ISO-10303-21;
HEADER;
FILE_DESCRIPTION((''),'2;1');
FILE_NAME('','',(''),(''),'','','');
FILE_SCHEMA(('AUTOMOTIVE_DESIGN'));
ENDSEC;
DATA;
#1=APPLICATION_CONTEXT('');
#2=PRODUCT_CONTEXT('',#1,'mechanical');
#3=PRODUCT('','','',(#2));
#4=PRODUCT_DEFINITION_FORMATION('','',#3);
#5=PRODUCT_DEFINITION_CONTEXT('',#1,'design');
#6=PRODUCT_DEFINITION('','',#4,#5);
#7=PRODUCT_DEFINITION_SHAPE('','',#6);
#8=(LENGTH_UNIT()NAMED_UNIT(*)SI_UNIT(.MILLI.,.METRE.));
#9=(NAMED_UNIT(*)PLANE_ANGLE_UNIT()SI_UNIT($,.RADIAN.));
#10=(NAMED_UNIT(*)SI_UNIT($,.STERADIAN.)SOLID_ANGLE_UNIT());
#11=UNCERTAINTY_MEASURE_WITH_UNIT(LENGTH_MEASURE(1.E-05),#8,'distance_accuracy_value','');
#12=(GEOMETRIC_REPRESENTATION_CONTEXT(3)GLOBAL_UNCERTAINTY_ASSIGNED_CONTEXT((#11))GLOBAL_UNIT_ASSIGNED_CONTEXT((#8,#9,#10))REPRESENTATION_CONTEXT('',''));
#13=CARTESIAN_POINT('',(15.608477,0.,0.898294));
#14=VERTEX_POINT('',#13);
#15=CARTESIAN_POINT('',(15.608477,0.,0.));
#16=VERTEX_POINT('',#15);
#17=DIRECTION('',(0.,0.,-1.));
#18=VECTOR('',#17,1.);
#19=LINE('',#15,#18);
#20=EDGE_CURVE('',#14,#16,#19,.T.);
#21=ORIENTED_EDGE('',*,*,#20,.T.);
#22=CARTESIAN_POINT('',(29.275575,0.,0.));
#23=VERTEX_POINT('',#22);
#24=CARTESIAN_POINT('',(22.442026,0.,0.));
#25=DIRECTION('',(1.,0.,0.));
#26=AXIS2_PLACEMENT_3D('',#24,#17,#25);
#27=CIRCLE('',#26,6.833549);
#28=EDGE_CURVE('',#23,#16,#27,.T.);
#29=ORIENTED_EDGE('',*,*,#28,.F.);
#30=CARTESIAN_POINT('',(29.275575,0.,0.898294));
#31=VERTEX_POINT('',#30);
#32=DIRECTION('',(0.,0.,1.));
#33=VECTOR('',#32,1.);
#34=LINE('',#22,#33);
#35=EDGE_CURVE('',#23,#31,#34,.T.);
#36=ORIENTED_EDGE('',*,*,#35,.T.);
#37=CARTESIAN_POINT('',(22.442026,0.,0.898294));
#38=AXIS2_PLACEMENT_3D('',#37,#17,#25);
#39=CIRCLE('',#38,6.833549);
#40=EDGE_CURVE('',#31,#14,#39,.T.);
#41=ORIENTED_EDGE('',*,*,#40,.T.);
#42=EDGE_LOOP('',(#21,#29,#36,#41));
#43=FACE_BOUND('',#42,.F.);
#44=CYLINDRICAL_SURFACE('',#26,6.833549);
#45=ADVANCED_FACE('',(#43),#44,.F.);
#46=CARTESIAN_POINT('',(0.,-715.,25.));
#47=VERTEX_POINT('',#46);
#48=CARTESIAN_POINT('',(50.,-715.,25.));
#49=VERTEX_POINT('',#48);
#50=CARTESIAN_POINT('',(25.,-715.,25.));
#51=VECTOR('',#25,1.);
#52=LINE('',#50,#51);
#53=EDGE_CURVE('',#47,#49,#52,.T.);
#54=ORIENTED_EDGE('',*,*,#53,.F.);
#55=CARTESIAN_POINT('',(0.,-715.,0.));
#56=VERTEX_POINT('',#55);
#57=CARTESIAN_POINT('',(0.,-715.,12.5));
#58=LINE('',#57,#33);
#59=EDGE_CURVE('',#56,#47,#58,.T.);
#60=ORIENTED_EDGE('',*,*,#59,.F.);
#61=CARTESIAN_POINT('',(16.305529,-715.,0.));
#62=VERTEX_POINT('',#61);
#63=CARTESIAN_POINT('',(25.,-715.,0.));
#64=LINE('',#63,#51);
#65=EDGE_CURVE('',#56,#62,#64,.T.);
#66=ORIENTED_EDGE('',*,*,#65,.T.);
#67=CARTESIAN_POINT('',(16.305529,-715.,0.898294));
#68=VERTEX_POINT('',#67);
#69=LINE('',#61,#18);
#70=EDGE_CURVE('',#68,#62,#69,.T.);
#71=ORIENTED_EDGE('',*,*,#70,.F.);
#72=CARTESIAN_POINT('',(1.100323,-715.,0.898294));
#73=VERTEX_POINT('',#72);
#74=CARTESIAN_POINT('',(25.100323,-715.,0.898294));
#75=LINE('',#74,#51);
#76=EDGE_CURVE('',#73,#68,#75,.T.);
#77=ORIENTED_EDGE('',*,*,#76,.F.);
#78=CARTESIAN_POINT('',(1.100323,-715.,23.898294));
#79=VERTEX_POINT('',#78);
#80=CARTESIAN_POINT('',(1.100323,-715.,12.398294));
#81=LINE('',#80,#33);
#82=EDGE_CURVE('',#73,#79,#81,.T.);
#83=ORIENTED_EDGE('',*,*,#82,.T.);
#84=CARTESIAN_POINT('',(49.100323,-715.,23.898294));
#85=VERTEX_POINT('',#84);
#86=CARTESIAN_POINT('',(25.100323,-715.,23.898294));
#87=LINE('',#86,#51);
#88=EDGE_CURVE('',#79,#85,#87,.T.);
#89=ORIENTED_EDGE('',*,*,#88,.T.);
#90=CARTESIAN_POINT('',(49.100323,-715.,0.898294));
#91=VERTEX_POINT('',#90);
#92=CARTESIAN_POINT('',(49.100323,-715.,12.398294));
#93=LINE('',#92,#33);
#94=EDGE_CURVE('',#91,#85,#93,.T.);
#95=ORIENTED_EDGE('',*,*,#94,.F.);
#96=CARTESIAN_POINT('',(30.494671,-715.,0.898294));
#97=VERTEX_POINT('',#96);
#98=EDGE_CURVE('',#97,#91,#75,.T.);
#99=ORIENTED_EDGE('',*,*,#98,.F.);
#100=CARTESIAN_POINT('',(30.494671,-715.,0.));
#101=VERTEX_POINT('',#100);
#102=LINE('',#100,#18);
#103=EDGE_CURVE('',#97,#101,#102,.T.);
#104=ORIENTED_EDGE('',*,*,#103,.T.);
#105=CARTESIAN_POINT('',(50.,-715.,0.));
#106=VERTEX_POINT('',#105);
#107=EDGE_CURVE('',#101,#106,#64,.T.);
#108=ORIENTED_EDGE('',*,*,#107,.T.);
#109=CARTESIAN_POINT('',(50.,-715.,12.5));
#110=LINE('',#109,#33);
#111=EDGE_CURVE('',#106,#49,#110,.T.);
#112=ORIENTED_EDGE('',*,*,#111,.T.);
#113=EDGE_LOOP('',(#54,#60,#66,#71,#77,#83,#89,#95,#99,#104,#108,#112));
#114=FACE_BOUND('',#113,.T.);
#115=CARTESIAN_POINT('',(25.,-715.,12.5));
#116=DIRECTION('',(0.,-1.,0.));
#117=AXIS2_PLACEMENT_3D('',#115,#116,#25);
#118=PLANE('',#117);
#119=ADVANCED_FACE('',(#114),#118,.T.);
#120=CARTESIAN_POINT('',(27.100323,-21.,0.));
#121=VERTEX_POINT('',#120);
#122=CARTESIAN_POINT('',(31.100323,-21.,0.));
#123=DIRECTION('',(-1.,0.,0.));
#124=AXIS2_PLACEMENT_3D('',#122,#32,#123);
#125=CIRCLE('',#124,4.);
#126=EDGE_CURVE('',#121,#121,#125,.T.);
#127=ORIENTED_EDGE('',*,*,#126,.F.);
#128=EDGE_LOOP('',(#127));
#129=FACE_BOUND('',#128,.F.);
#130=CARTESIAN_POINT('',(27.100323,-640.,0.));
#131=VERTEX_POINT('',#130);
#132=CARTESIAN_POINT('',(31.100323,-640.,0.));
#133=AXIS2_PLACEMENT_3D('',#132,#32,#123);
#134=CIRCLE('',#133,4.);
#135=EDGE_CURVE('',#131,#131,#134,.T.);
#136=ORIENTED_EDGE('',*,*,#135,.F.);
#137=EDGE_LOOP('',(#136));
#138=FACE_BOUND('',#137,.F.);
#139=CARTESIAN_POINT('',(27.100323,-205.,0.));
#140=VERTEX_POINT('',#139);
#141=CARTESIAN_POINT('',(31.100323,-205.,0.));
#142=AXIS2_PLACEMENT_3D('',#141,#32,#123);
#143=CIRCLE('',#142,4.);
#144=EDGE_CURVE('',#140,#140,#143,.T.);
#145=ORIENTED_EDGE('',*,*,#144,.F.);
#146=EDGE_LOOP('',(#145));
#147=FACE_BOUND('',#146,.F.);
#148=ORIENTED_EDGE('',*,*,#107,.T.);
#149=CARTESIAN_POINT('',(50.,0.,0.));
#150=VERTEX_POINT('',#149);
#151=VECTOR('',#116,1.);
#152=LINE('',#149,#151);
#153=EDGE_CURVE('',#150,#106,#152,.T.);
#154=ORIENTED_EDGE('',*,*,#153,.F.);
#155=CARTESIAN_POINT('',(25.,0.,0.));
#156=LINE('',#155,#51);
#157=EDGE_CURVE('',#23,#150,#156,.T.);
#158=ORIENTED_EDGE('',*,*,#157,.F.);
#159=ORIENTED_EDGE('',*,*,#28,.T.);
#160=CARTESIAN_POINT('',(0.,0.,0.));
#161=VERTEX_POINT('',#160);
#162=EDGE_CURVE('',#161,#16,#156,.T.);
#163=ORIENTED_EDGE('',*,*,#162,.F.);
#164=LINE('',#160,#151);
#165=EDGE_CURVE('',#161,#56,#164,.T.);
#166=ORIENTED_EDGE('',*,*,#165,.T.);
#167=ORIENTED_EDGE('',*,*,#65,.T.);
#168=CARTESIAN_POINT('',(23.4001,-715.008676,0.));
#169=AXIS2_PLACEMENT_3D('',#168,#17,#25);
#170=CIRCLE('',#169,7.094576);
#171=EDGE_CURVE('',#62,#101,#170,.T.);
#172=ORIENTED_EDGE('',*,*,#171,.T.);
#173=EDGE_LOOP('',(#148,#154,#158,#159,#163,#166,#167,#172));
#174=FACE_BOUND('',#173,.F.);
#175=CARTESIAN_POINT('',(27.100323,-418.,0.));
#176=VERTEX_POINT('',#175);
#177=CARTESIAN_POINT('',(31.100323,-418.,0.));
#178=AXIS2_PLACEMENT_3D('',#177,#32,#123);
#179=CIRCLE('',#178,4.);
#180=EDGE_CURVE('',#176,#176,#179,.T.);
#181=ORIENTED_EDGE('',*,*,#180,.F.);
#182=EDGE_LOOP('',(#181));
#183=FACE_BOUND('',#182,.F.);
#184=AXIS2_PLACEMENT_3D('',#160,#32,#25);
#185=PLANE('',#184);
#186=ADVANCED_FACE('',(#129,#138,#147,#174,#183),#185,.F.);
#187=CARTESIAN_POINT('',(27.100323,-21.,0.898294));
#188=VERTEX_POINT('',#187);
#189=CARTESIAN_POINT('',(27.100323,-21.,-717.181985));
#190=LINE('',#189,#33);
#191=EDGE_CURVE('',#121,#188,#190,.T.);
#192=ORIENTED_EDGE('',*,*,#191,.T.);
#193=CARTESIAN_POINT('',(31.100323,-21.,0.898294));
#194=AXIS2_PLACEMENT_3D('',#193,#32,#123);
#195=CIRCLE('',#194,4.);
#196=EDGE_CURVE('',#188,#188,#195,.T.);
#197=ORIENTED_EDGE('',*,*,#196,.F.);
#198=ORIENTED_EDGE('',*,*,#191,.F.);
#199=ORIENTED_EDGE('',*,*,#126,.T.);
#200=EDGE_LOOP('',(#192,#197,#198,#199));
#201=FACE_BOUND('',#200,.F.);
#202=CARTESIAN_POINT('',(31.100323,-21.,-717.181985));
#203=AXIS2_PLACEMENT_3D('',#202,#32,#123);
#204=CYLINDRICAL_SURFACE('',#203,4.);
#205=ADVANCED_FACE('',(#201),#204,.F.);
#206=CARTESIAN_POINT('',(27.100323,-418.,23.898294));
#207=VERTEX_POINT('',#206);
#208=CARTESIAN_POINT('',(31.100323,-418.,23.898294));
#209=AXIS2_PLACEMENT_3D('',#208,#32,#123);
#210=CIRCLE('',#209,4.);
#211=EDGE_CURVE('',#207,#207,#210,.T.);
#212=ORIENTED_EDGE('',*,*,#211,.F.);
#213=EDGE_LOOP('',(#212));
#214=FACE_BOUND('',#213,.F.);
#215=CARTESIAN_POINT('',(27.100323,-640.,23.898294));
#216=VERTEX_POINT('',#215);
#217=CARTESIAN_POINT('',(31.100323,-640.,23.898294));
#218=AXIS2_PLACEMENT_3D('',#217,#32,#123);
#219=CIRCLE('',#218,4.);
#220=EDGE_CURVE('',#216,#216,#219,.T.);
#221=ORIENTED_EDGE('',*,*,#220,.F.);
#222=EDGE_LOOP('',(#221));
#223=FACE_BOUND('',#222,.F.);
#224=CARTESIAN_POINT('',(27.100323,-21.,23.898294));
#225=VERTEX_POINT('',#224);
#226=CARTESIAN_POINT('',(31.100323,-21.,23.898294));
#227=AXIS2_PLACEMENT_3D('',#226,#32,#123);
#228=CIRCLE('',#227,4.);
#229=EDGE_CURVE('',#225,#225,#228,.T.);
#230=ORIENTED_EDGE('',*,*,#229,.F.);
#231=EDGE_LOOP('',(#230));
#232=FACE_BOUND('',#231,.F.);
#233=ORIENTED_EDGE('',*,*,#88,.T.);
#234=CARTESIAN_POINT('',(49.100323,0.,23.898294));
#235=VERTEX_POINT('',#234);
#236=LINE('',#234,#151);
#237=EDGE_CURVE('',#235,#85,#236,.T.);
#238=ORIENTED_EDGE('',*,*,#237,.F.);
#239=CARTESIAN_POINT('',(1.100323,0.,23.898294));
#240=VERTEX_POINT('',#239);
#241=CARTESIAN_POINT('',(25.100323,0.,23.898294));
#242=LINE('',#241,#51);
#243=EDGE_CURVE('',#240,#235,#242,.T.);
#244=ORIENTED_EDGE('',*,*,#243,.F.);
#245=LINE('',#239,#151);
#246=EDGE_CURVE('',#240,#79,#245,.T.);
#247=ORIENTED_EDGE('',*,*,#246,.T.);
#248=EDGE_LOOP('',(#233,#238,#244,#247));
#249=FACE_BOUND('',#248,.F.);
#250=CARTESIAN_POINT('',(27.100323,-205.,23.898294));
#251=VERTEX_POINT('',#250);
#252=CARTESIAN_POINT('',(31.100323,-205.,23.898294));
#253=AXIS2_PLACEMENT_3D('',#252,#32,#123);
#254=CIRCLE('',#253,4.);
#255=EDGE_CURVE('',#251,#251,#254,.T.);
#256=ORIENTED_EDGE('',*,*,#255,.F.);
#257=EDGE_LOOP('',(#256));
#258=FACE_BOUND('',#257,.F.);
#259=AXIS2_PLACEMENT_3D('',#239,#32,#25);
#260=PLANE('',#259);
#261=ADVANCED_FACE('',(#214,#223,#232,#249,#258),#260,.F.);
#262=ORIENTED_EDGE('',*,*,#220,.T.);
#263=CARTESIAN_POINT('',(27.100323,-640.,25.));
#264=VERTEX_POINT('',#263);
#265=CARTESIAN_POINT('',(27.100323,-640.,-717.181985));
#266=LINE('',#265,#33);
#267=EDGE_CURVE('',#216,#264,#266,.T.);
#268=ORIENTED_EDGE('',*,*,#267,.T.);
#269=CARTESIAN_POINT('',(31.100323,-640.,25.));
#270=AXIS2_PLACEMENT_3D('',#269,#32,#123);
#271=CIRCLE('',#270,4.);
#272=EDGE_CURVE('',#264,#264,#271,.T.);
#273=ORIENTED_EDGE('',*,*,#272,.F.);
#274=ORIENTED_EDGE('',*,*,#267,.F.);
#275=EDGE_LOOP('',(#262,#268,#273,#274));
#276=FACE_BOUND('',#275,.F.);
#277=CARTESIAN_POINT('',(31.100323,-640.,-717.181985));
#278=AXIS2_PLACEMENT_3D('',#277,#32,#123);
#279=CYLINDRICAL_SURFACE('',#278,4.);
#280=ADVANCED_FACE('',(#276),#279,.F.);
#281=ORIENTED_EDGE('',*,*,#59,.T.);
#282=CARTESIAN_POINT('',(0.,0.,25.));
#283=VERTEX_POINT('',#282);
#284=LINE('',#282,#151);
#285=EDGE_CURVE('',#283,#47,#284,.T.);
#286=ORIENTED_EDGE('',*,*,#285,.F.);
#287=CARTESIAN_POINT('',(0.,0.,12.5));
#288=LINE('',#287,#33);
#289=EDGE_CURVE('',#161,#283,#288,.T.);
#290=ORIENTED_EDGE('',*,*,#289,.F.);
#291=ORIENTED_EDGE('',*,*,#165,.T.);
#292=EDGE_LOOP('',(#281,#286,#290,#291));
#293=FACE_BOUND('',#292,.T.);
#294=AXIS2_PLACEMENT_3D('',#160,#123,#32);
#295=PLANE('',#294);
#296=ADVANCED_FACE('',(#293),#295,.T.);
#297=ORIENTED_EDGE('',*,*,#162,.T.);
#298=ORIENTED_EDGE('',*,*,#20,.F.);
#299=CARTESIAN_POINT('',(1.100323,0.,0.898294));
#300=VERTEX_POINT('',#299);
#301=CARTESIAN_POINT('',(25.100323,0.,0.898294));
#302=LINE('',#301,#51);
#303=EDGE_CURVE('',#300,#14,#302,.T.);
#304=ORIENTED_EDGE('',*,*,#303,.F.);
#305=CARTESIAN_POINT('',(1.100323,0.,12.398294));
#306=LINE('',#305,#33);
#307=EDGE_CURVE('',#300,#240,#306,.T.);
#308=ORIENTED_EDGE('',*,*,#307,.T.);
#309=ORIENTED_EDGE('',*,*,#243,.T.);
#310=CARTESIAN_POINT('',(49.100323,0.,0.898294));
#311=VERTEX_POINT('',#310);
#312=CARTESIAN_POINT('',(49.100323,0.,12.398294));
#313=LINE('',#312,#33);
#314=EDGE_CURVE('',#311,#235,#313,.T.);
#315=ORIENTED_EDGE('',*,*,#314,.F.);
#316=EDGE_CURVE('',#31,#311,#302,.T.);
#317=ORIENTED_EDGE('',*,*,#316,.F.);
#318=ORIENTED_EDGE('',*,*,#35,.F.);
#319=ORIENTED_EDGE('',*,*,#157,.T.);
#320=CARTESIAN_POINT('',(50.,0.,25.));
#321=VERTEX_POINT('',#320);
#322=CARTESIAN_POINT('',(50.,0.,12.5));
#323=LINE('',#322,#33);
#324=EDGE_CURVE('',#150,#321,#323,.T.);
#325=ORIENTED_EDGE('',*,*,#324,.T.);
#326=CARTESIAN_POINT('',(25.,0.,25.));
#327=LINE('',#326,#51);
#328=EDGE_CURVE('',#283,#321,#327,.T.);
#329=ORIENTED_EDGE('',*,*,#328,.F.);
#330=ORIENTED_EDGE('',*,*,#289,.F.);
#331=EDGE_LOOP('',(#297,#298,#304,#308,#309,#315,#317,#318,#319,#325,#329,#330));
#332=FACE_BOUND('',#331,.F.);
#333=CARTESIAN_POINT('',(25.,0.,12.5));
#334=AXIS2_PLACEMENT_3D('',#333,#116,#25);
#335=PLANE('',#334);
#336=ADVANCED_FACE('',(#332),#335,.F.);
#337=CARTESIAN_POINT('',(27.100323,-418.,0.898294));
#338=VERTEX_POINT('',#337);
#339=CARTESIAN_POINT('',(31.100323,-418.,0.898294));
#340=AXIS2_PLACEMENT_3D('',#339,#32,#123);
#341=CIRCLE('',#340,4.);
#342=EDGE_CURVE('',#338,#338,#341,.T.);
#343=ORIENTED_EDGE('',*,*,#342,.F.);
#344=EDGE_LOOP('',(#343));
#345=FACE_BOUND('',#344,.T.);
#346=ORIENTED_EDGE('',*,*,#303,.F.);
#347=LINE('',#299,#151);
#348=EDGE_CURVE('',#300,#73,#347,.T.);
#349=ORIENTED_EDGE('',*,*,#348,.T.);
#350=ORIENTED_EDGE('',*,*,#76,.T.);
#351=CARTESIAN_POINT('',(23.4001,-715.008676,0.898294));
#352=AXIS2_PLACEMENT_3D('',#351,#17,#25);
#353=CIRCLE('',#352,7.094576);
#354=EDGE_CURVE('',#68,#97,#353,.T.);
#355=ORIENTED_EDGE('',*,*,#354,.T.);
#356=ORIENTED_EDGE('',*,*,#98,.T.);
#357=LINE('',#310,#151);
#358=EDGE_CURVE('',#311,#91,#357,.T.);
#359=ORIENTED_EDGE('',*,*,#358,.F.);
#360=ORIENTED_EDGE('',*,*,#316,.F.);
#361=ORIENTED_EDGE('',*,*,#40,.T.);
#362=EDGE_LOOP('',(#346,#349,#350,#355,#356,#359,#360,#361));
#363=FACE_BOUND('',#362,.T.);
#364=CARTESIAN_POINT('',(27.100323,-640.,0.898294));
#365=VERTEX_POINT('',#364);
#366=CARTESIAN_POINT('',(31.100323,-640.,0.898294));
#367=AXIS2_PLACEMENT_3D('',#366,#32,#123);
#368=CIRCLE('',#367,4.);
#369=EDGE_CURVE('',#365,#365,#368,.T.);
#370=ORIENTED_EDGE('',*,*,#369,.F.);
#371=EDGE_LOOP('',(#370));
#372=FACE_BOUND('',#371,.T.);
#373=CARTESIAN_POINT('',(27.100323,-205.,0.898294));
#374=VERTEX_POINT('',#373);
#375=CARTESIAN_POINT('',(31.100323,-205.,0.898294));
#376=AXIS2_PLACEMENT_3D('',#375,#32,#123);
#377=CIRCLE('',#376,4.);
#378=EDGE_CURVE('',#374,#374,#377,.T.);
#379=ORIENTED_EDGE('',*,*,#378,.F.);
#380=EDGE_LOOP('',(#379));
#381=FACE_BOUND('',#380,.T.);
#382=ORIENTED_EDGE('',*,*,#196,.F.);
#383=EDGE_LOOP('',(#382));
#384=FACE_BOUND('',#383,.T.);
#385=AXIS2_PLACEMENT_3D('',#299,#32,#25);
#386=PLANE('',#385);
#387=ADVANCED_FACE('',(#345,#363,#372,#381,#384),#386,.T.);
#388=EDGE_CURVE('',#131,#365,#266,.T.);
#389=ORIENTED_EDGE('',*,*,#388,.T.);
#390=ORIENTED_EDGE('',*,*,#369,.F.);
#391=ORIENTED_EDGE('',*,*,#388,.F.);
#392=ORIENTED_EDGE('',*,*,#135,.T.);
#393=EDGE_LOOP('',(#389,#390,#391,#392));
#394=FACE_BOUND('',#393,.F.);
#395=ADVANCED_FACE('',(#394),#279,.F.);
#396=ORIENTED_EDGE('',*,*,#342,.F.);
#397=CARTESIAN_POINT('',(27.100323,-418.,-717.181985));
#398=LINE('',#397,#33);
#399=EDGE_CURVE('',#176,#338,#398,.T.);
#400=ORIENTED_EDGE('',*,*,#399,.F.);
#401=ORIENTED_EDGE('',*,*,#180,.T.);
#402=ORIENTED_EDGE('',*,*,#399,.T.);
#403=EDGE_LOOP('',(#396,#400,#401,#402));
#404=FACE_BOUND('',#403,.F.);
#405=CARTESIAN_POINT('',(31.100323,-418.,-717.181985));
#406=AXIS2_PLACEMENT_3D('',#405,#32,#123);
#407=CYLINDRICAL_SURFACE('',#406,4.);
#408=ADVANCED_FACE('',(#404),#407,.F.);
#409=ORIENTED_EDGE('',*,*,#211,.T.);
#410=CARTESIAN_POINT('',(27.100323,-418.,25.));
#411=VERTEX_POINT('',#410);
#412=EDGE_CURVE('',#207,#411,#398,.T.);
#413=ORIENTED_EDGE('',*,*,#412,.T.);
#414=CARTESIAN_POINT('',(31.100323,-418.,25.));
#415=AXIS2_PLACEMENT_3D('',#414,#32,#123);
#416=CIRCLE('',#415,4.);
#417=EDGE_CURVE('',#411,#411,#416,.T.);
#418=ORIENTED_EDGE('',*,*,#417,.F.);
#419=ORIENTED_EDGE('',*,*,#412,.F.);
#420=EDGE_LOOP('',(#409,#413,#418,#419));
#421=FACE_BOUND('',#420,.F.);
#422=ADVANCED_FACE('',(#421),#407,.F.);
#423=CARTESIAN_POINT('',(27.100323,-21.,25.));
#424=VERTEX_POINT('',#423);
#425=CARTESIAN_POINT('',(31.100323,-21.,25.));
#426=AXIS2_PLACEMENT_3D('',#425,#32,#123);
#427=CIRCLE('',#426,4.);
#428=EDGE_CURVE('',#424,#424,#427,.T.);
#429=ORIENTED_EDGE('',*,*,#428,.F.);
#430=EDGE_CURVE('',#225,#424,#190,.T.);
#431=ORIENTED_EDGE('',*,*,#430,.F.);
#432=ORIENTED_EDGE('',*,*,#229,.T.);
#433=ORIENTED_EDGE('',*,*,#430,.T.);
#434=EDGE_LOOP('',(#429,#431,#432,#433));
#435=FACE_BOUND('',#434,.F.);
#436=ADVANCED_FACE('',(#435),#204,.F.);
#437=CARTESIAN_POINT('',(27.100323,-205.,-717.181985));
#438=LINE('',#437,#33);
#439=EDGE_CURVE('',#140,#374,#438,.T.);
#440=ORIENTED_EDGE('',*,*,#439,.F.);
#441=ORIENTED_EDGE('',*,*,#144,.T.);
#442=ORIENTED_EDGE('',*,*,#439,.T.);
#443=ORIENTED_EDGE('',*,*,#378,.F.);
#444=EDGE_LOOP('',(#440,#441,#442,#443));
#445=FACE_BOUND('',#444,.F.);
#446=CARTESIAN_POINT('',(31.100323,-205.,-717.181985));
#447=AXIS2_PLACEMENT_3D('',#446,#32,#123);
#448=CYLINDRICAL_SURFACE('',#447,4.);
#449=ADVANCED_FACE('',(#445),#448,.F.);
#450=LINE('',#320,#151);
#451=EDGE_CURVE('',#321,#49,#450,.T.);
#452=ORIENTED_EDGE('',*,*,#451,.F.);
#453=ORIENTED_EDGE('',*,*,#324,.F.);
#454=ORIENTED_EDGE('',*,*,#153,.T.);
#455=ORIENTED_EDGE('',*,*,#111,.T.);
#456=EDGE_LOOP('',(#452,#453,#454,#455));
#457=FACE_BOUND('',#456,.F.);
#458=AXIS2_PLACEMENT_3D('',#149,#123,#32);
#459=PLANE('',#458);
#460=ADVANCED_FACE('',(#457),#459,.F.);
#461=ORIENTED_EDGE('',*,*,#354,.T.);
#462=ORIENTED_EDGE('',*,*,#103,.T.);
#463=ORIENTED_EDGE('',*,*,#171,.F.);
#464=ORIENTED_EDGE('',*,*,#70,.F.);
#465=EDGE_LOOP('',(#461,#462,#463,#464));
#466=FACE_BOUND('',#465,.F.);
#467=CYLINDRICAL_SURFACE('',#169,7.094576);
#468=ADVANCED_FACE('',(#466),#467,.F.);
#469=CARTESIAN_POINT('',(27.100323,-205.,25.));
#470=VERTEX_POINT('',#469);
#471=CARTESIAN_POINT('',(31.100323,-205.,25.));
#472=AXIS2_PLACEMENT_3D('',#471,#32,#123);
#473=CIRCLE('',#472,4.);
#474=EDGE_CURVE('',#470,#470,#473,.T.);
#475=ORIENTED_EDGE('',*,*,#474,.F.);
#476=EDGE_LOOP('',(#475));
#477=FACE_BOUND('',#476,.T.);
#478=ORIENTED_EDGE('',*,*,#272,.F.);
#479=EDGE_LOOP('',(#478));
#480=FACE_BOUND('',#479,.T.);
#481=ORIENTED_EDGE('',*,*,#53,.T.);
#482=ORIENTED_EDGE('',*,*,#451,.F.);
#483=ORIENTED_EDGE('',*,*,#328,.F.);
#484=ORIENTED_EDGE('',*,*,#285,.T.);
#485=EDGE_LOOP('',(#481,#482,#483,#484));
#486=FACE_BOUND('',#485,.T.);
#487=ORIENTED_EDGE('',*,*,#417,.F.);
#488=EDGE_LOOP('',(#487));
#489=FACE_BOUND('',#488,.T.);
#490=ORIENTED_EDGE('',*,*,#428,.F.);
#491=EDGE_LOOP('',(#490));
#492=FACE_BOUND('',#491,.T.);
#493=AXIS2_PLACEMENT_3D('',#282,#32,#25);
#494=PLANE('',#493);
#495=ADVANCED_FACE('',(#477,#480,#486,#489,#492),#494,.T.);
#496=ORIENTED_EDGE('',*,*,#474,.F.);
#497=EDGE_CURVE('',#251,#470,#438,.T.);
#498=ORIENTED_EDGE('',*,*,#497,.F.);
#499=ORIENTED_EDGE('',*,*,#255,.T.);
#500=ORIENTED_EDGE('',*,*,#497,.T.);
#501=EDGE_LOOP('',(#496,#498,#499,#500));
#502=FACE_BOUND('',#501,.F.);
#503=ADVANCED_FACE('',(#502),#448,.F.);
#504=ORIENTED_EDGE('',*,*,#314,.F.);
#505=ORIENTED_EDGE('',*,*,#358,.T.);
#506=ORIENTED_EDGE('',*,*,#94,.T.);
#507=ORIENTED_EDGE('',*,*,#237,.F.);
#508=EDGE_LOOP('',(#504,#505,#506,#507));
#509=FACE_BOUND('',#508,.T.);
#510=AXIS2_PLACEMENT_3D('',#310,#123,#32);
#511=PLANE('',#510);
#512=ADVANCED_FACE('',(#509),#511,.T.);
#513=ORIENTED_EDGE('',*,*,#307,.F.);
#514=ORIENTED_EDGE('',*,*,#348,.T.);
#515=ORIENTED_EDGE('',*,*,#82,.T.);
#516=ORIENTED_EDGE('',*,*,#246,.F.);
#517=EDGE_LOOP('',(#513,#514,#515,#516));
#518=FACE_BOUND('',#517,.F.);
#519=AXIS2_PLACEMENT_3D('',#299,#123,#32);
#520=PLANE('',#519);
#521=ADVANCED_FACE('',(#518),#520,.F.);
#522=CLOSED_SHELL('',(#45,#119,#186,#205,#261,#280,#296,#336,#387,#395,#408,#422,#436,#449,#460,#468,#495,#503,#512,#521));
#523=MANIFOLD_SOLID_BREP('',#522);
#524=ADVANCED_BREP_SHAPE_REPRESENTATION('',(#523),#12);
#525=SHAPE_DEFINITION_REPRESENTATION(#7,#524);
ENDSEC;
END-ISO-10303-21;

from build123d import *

# Parameters (mm, degrees)
F0_W     = 50
F0_H     = 25
F0_W_2   = 48
F0_H_2   = 23
F1_DEPTH = 715
F3_D     = 8
F5_R     = 6.8335490291
F6_DEPTH = 5
F7_R     = 7.0945759033
F8_DEPTH = 5


with BuildPart() as f1:
    # F0 (on Front) → F1 (new body)
    with BuildSketch(Plane.XZ):
        with Locations((25, 12.5)):
            Rectangle(F0_W, F0_H)
        with Locations((25.1003231639, 12.3982938598)):
            Rectangle(F0_W_2, F0_H_2, mode=Mode.SUBTRACT)
    extrude(amount=F1_DEPTH)

    # F3 (through all)
    with Locations(Plane(origin=(0, 0, 0), x_dir=(1, 0, 0), z_dir=(0, 0, -1))):
        with Locations((31.1003231639, 21), (31.1003231639, 205), (31.1003231639, 418), (31.1003231639, 640)):
            Hole(F3_D / 2)

    # F5 (on offset) → F6 (cut)
    with BuildSketch(Plane(origin=(0, 0, 0), x_dir=(1, 0, 0), z_dir=(0, 0, -1))):
        with Locations((22.4420260638, 0)):
            Circle(F5_R)
    extrude(amount=-F6_DEPTH, mode=Mode.SUBTRACT)

    # F7 (on offset) → F8 (cut)
    with BuildSketch(Plane(origin=(0, 0, 0), x_dir=(1, 0, 0), z_dir=(0, 0, -1))):
        with Locations((23.400099948, 715.0086760521)):
            Circle(F7_R)
    extrude(amount=-F8_DEPTH, mode=Mode.SUBTRACT)


solid = f1.part
